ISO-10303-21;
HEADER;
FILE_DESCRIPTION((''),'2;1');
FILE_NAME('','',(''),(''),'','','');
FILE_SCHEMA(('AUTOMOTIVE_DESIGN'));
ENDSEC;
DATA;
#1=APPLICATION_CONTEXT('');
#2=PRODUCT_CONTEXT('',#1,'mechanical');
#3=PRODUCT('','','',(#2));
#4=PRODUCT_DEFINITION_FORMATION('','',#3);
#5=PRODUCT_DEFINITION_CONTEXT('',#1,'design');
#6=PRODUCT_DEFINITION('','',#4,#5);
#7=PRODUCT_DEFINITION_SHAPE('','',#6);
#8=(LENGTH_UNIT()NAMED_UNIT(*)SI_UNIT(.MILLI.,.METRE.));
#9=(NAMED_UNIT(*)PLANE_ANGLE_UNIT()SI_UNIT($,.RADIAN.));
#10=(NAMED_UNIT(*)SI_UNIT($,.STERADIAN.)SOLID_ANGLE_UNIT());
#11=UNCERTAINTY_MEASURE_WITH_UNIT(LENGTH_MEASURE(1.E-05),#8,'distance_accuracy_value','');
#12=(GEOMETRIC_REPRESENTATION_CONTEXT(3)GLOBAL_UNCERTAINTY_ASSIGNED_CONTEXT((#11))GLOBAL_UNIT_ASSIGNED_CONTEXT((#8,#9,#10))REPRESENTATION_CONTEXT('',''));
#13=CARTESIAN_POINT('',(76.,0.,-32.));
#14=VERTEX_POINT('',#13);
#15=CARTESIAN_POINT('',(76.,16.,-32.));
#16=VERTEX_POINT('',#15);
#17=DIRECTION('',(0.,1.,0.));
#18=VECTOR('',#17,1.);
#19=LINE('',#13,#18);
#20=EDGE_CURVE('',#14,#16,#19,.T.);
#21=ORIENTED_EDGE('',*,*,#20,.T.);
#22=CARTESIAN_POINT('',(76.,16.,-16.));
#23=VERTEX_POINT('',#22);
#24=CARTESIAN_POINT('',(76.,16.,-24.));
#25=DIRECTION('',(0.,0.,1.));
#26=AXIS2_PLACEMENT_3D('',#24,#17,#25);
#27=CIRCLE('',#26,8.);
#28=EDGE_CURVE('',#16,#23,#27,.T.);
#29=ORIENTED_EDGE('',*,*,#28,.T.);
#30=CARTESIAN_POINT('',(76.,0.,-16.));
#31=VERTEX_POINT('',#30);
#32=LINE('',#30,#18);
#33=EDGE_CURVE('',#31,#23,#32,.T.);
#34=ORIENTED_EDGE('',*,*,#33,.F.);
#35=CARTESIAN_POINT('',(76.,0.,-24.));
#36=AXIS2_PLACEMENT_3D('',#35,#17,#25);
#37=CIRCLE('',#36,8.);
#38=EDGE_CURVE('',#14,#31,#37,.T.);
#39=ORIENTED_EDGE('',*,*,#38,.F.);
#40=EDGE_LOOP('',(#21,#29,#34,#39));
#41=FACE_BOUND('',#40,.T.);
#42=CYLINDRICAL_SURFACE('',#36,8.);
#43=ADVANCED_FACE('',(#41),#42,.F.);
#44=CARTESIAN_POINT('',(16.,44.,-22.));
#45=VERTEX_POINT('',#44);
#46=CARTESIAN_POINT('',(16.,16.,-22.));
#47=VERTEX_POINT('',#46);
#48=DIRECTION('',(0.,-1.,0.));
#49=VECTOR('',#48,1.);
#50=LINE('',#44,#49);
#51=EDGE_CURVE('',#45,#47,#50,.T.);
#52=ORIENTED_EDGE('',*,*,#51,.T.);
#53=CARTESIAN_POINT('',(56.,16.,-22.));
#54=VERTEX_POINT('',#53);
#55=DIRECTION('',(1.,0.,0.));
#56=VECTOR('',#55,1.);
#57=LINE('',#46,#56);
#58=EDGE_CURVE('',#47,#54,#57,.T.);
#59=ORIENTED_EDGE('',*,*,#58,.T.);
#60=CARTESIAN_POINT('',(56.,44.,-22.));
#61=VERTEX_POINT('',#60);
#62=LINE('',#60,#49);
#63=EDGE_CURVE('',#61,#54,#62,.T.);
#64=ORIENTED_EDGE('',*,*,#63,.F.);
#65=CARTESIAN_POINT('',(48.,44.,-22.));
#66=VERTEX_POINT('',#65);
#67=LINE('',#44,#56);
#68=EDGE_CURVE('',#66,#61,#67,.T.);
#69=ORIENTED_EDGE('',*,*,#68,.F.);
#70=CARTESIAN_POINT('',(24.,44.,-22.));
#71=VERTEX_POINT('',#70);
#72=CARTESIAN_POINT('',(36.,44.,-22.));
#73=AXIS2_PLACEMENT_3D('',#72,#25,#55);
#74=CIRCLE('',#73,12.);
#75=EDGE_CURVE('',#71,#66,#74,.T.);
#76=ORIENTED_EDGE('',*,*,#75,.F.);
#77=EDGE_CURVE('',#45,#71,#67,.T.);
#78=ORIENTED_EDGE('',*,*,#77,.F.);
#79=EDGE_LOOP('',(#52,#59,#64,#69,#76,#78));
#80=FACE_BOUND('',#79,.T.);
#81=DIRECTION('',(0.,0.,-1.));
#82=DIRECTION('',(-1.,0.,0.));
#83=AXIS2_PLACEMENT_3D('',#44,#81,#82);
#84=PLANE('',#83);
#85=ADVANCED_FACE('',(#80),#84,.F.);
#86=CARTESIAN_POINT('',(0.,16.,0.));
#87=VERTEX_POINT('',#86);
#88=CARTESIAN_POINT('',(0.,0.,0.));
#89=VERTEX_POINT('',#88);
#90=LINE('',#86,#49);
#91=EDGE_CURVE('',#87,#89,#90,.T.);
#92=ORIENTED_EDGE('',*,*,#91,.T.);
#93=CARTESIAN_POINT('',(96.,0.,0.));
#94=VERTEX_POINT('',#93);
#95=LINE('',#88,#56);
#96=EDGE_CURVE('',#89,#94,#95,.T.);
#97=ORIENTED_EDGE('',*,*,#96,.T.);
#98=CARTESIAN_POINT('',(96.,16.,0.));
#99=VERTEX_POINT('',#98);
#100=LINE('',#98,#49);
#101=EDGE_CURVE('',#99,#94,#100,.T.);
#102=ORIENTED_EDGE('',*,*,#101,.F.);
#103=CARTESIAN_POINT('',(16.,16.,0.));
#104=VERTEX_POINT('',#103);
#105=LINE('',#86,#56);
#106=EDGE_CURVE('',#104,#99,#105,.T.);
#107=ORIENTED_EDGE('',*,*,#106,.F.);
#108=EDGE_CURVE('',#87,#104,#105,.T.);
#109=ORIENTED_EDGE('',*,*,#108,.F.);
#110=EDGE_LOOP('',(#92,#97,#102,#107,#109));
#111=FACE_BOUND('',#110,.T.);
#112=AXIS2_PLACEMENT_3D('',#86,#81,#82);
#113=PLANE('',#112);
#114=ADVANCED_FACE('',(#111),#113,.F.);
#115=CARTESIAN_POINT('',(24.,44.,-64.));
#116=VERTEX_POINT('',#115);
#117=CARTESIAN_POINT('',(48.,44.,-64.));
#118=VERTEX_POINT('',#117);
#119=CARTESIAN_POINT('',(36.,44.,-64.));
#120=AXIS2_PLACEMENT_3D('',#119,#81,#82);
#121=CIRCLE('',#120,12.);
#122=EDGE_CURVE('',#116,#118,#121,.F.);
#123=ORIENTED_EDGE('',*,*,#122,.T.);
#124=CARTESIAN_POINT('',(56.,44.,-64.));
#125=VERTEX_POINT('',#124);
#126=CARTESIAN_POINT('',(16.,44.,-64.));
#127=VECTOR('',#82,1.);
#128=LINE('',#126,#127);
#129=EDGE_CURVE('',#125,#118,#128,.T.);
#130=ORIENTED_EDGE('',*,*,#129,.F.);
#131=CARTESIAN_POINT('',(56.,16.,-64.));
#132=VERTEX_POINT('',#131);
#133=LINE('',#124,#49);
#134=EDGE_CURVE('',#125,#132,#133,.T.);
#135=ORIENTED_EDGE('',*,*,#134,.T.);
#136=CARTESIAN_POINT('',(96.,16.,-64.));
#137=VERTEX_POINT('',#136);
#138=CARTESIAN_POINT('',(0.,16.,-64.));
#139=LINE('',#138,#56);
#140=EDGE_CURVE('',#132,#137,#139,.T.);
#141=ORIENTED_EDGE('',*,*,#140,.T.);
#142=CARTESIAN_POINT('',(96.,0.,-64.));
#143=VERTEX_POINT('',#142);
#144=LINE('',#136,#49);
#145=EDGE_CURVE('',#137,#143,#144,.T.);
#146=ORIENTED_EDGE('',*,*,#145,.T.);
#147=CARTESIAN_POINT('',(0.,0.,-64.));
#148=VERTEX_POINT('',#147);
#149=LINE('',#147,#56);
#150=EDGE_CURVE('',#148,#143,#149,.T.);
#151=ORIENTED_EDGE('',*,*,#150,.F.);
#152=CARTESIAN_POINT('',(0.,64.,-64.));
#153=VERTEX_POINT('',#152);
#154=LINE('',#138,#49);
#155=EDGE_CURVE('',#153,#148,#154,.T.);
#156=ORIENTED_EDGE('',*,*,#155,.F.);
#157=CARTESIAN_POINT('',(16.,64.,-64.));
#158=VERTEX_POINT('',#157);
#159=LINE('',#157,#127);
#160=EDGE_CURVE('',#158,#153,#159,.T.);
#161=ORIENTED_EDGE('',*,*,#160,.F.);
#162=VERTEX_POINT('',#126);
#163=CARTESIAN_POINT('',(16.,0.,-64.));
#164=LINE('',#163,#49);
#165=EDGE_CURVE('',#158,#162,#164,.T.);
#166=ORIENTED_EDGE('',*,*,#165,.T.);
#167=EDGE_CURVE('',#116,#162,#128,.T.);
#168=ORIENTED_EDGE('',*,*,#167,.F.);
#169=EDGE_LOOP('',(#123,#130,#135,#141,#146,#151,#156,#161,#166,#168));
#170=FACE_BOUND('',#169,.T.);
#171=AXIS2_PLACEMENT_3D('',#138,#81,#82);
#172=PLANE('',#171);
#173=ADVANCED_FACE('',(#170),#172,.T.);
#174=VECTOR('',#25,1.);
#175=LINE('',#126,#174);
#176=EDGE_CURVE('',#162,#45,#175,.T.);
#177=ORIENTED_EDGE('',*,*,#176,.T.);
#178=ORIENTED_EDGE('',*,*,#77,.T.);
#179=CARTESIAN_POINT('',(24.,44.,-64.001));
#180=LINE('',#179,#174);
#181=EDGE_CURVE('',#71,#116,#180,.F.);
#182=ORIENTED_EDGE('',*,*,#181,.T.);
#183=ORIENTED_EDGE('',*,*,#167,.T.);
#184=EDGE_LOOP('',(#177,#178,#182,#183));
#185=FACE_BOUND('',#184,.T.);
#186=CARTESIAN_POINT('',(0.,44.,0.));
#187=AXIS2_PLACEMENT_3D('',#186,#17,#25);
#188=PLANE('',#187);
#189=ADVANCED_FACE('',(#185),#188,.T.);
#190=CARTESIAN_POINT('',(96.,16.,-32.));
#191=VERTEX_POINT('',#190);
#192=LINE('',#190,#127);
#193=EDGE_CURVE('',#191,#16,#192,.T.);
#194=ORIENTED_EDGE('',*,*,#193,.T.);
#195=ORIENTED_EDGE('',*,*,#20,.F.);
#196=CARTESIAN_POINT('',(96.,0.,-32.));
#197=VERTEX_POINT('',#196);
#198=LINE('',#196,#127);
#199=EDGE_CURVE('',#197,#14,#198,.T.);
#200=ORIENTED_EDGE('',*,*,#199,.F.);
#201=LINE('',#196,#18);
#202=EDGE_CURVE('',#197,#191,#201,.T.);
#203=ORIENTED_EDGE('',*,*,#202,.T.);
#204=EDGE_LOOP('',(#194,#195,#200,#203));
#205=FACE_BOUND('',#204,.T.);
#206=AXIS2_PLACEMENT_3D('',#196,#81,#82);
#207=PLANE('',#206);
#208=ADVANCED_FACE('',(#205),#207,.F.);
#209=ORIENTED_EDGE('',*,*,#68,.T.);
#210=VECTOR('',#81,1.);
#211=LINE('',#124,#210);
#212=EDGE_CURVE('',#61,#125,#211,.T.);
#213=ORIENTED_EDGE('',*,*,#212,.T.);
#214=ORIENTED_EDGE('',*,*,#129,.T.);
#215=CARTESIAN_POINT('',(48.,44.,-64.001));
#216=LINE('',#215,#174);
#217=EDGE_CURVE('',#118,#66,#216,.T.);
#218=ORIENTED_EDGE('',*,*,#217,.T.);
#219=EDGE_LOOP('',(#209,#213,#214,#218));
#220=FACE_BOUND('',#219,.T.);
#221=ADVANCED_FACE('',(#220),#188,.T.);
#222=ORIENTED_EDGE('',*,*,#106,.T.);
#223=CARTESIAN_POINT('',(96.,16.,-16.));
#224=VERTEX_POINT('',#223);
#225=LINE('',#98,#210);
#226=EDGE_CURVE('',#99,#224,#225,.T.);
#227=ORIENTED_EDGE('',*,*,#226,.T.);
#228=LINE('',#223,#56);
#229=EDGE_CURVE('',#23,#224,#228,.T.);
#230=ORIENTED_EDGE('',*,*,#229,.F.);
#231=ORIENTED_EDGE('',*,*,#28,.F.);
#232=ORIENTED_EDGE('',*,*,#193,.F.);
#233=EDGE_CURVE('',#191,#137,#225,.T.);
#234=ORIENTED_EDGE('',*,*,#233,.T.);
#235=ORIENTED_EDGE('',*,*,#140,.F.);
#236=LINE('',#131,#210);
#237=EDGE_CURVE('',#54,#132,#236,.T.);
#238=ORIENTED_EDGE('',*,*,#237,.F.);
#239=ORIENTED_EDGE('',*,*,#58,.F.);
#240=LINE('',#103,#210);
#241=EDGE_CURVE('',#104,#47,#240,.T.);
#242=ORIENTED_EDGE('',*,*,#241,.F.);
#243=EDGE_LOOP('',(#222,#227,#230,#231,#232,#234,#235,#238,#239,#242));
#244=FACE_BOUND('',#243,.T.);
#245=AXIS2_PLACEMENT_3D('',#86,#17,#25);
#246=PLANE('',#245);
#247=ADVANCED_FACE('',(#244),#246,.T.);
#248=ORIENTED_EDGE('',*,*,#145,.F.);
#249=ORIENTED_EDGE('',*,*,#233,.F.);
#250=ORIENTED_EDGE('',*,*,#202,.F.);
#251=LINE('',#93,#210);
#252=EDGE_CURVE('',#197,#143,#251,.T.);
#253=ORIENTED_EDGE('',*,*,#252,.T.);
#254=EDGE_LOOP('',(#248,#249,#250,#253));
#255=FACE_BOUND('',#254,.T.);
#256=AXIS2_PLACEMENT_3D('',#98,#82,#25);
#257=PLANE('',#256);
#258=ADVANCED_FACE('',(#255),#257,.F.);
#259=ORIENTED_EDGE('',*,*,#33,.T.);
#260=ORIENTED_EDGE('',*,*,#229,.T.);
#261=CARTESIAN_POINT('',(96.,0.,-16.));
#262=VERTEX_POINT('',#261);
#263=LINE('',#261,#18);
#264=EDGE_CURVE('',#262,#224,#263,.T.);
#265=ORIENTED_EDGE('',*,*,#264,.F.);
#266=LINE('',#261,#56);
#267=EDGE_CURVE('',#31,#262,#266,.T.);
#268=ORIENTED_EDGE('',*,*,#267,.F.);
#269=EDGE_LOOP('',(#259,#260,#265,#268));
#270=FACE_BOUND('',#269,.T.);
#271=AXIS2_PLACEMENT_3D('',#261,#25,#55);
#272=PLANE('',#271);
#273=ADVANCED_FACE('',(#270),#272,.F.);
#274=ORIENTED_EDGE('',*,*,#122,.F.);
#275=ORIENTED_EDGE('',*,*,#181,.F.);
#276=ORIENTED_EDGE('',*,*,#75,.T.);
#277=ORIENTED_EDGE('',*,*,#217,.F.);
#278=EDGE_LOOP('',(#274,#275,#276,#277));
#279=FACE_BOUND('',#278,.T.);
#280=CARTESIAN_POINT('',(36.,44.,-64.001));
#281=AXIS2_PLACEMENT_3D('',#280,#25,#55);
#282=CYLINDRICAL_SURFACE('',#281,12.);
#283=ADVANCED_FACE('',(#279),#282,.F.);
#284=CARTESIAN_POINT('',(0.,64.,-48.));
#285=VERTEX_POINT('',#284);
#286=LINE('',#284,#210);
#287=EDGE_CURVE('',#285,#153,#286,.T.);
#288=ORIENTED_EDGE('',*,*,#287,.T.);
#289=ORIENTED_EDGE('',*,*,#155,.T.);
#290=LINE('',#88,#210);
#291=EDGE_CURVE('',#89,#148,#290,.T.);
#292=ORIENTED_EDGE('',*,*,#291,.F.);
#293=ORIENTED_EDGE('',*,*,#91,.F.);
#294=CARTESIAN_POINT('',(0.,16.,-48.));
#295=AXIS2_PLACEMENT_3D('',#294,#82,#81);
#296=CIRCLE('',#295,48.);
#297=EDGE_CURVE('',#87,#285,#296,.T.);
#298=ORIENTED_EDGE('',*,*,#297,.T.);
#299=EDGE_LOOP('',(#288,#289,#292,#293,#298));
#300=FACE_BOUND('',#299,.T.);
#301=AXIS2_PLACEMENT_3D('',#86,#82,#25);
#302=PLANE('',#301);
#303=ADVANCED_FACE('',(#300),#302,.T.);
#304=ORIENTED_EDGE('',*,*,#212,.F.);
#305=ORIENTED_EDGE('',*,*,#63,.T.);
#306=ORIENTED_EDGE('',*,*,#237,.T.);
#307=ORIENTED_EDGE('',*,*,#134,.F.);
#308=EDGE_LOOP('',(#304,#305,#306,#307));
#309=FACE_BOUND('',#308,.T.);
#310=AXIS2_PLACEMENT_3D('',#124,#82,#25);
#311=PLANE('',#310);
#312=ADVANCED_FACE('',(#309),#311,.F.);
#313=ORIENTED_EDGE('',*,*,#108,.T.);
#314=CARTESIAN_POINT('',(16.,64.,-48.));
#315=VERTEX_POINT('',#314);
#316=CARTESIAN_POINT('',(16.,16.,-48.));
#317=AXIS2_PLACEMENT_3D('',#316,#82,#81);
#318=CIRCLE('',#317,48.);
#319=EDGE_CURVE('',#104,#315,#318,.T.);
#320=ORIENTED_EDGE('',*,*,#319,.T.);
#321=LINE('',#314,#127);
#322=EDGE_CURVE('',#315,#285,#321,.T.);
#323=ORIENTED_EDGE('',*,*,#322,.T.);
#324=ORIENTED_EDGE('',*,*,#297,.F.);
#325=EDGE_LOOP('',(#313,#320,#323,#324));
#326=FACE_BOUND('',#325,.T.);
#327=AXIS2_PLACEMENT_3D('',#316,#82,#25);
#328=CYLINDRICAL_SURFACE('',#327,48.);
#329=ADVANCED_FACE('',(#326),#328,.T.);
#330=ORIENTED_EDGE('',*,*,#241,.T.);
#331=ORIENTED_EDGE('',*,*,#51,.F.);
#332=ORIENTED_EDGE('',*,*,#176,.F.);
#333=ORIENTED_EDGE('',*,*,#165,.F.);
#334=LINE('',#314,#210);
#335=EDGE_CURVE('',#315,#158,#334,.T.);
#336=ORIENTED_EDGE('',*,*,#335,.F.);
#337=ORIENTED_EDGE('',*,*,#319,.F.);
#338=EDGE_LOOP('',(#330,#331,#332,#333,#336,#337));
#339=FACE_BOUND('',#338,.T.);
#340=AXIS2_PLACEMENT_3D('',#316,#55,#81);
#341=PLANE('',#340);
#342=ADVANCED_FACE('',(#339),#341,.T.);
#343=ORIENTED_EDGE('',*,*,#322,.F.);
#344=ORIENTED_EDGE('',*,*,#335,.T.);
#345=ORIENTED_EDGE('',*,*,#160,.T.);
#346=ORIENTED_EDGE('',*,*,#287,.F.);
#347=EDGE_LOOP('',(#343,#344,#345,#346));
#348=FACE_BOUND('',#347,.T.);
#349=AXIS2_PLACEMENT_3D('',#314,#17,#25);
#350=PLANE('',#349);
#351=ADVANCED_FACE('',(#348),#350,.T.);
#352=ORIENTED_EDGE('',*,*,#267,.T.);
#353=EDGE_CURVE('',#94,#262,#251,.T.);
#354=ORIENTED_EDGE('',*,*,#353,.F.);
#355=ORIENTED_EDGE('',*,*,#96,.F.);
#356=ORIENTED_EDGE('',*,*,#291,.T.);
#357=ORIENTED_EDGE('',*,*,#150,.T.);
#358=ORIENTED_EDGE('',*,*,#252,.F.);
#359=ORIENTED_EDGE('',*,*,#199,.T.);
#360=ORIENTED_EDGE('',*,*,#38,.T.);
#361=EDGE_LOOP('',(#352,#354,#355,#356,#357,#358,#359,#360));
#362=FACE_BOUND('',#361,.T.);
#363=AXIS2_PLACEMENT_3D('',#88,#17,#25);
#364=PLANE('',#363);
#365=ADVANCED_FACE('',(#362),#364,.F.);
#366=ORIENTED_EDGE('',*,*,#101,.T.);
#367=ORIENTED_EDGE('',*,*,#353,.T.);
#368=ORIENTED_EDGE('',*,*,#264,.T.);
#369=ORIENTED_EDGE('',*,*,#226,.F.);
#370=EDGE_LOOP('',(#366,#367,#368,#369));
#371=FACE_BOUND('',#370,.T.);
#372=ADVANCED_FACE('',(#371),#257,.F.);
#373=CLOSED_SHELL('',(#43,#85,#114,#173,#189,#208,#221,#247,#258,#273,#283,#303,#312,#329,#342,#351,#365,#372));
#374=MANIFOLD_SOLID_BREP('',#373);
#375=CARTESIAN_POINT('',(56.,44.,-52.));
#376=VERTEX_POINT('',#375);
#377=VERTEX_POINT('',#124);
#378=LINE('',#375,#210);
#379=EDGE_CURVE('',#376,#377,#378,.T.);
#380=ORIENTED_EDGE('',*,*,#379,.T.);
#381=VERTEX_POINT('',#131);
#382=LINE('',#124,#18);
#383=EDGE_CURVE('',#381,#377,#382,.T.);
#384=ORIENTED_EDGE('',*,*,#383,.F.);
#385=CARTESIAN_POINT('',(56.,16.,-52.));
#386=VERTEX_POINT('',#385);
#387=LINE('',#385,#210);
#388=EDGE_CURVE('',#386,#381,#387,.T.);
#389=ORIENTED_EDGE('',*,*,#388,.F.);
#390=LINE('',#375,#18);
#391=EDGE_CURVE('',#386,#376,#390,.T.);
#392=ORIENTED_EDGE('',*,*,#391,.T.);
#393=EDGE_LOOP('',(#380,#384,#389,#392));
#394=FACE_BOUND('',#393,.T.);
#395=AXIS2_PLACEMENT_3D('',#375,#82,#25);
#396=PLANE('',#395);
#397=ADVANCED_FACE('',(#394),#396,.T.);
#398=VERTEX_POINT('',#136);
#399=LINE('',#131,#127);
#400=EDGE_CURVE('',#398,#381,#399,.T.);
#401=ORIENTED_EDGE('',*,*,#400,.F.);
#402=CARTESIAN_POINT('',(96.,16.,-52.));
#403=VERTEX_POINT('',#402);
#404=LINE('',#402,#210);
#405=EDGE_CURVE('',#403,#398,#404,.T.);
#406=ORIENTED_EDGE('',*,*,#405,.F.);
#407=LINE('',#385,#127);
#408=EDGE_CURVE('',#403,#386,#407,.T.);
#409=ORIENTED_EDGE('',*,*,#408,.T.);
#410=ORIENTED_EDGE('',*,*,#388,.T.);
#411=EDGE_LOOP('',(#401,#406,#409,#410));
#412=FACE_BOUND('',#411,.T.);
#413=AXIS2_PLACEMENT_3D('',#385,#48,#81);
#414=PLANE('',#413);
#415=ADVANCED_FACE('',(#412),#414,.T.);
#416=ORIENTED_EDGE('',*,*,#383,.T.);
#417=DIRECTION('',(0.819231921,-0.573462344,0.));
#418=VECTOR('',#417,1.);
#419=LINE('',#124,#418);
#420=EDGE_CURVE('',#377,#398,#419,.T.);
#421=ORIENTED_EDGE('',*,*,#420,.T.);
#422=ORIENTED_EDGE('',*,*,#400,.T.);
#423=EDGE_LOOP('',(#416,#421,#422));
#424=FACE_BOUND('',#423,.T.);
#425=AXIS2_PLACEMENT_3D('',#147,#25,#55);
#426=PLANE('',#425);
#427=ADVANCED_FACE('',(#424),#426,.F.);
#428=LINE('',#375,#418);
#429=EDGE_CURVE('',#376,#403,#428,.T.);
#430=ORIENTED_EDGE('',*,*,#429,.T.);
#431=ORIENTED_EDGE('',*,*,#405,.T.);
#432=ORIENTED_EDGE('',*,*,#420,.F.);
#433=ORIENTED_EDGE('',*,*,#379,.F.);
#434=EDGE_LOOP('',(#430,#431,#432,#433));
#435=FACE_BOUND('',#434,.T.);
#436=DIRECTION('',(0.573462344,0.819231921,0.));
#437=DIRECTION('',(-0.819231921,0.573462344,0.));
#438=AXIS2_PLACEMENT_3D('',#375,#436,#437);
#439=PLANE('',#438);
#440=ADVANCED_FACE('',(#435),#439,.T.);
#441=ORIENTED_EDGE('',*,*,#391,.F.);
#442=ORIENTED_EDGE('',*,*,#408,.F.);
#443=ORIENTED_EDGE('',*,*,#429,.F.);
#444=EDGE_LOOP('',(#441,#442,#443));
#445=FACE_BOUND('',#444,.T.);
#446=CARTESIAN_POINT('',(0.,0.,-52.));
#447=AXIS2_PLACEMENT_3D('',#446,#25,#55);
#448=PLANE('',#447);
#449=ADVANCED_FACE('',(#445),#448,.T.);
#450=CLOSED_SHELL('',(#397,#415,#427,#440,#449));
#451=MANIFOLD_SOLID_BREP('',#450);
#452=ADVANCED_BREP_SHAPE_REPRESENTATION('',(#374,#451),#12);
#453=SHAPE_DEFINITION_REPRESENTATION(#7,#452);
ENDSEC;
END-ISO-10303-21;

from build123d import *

# Parameters (mm, degrees)
SKETCH1_W           = 96
SKETCH1_H           = 64
BOSS_EXTRUDE1_DEPTH = 16
CUT_EXTRUDE1_DEPTH  = 16
BOSS_EXTRUDE2_DEPTH = 16
SKETCH4_W           = 40
SKETCH4_H           = 42
BOSS_EXTRUDE3_DEPTH = 28
CUT_EXTRUDE2_REACH  = 44
SKETCH5_R           = 12
BOSS_EXTRUDE4_DEPTH = 12


with BuildPart() as part:
    # Sketch1 → Boss-Extrude1 (new body)
    with BuildSketch(Plane(origin=(0, 0, 0), x_dir=(1, 0, 0), z_dir=(0, 1, 0))):
        with Locations((48, 32)):
            Rectangle(SKETCH1_W, SKETCH1_H)
    extrude(amount=BOSS_EXTRUDE1_DEPTH)

    # Sketch2 → Cut-Extrude1 (cut)
    with BuildSketch(Plane(origin=(0, 16, 0), x_dir=(1, 0, 0), z_dir=(0, 1, 0))):
        with BuildLine():
            Line((96, 16), (76, 16))
            ThreePointArc((76, 16), (68, 24), (76, 32))
            Line((76, 32), (96, 32))
            ThreePointArc((96, 32), (104, 24), (96, 16))
        make_face()
    extrude(amount=-CUT_EXTRUDE1_DEPTH, mode=Mode.SUBTRACT)

    # Sketch3 → Boss-Extrude2 (add)
    with BuildSketch(Plane.ZY):
        with BuildLine():
            Line((0, 0), (-64, 0))
            Line((-64, 0), (-64, 64))
            Line((-64, 64), (-48, 64))
            ThreePointArc((-48, 64), (-14.058874503, 49.941125497), (0, 16))
            Line((0, 16), (0, 0))
        make_face()
    extrude(amount=-BOSS_EXTRUDE2_DEPTH)

    # Sketch4 → Boss-Extrude3 (add)
    with BuildSketch(Plane(origin=(0, 16, 0), x_dir=(1, 0, 0), z_dir=(0, 1, 0))):
        with Locations((36, 43)):
            Rectangle(SKETCH4_W, SKETCH4_H)
    extrude(amount=BOSS_EXTRUDE3_DEPTH)

    # Sketch5 → Cut-Extrude2 (cut, up to next)
    with BuildSketch(Plane.XY.offset(-22), mode=Mode.PRIVATE) as cut_extrude2_sk1:
        with Locations((36, 44)):
            Circle(SKETCH5_R)
    cut_extrude2_tool1 = extrude(cut_extrude2_sk1.sketch, amount=-CUT_EXTRUDE2_REACH, mode=Mode.PRIVATE) & part.part
    add(cut_extrude2_tool1.solids().sort_by_distance((36, 44, -22))[0], mode=Mode.SUBTRACT)


with BuildPart() as body_2:
    # Sketch6 → Boss-Extrude4 (new body)
    with BuildSketch(Plane(origin=(0, 0, -64), x_dir=(-1, 0, 0), z_dir=(0, 0, -1))):
        Polygon((-56, 44), (-96, 16), (-56, 16), align=None)
    extrude(amount=-BOSS_EXTRUDE4_DEPTH)


solid = Compound([part.part, body_2.part])
